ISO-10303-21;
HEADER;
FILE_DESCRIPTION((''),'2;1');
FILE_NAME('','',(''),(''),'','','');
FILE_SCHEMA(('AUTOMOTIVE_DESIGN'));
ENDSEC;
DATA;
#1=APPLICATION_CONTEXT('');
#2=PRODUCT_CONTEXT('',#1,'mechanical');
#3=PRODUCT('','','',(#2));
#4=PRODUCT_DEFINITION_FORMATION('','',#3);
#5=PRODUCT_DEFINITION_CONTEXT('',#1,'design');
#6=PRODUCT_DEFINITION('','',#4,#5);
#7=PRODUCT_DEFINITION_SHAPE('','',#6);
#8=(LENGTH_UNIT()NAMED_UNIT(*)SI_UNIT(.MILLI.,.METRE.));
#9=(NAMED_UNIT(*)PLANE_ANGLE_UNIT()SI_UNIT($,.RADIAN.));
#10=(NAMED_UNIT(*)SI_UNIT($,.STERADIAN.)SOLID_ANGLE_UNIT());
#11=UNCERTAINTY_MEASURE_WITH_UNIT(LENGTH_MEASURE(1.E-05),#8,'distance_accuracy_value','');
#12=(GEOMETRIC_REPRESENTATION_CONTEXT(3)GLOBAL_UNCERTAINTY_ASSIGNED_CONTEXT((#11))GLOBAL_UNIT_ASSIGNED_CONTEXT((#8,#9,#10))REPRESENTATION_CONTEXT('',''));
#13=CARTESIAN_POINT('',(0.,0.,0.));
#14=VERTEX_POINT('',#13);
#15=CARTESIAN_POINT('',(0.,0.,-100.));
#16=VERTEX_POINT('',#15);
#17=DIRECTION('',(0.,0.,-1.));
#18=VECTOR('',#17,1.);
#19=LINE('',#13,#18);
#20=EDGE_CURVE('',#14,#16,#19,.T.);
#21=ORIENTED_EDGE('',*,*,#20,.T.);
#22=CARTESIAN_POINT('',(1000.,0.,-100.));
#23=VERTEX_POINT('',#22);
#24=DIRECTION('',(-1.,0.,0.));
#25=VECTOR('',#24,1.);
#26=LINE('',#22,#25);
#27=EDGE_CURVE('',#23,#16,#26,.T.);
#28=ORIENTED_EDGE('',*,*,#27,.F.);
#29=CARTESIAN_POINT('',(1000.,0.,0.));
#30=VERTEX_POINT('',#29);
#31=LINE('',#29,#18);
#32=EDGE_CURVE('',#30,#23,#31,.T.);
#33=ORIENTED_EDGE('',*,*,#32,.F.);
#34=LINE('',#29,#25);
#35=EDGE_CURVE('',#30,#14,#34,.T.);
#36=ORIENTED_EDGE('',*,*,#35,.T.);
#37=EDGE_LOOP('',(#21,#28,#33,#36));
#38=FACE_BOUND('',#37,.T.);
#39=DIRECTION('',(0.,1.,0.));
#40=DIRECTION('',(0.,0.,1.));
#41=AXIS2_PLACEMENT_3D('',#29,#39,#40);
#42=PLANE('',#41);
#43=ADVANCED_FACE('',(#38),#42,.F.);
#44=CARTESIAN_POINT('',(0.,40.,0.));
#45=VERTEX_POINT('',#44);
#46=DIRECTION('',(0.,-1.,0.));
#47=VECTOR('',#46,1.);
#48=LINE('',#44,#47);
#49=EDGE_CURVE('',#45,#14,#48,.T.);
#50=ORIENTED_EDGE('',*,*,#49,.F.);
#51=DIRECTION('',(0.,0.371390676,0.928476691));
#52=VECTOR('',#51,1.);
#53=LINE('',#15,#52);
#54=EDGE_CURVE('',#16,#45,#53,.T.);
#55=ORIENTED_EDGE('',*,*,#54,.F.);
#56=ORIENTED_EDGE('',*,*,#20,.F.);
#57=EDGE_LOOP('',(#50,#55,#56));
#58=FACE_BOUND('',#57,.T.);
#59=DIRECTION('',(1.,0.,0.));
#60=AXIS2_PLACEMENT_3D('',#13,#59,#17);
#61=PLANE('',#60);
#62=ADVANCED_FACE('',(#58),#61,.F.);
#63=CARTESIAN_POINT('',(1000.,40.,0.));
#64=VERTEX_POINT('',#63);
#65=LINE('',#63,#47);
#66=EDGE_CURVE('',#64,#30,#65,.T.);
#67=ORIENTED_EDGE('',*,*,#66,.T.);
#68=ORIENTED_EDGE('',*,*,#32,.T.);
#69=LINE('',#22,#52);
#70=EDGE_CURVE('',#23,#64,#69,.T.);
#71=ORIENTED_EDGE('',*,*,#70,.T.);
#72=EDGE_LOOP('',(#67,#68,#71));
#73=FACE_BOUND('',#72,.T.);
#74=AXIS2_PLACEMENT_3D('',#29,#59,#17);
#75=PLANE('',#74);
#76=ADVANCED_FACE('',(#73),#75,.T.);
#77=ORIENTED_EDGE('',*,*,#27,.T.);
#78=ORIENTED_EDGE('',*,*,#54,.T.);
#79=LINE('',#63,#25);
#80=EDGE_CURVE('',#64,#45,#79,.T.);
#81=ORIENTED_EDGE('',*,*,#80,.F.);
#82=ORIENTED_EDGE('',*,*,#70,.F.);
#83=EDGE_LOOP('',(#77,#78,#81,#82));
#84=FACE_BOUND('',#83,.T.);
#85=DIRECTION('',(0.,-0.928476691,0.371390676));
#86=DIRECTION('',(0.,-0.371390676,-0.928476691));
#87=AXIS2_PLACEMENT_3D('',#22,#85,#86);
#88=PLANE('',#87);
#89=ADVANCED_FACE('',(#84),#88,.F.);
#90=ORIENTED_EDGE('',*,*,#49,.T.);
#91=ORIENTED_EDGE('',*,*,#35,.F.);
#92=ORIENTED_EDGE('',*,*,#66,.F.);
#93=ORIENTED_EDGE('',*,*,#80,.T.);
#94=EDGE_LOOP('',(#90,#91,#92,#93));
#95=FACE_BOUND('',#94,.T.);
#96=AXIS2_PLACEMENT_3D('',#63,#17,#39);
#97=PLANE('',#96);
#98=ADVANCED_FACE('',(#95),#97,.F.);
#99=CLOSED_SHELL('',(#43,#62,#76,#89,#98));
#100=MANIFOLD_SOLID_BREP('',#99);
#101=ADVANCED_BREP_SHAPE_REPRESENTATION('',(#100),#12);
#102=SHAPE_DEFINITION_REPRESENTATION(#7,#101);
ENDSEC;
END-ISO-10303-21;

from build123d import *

# Parameters (mm, degrees)
BOSS_EXTRUDE1_DEPTH = 1000


with BuildPart() as part:
    # Sketch1 → Boss-Extrude1 (new body)
    with BuildSketch(Plane(origin=(0, 0, 0), x_dir=(0, 0, -1), z_dir=(1, 0, 0))):
        Polygon((0, 0), (100, 0), (0, 40), align=None)
    extrude(amount=BOSS_EXTRUDE1_DEPTH)


solid = part.part
